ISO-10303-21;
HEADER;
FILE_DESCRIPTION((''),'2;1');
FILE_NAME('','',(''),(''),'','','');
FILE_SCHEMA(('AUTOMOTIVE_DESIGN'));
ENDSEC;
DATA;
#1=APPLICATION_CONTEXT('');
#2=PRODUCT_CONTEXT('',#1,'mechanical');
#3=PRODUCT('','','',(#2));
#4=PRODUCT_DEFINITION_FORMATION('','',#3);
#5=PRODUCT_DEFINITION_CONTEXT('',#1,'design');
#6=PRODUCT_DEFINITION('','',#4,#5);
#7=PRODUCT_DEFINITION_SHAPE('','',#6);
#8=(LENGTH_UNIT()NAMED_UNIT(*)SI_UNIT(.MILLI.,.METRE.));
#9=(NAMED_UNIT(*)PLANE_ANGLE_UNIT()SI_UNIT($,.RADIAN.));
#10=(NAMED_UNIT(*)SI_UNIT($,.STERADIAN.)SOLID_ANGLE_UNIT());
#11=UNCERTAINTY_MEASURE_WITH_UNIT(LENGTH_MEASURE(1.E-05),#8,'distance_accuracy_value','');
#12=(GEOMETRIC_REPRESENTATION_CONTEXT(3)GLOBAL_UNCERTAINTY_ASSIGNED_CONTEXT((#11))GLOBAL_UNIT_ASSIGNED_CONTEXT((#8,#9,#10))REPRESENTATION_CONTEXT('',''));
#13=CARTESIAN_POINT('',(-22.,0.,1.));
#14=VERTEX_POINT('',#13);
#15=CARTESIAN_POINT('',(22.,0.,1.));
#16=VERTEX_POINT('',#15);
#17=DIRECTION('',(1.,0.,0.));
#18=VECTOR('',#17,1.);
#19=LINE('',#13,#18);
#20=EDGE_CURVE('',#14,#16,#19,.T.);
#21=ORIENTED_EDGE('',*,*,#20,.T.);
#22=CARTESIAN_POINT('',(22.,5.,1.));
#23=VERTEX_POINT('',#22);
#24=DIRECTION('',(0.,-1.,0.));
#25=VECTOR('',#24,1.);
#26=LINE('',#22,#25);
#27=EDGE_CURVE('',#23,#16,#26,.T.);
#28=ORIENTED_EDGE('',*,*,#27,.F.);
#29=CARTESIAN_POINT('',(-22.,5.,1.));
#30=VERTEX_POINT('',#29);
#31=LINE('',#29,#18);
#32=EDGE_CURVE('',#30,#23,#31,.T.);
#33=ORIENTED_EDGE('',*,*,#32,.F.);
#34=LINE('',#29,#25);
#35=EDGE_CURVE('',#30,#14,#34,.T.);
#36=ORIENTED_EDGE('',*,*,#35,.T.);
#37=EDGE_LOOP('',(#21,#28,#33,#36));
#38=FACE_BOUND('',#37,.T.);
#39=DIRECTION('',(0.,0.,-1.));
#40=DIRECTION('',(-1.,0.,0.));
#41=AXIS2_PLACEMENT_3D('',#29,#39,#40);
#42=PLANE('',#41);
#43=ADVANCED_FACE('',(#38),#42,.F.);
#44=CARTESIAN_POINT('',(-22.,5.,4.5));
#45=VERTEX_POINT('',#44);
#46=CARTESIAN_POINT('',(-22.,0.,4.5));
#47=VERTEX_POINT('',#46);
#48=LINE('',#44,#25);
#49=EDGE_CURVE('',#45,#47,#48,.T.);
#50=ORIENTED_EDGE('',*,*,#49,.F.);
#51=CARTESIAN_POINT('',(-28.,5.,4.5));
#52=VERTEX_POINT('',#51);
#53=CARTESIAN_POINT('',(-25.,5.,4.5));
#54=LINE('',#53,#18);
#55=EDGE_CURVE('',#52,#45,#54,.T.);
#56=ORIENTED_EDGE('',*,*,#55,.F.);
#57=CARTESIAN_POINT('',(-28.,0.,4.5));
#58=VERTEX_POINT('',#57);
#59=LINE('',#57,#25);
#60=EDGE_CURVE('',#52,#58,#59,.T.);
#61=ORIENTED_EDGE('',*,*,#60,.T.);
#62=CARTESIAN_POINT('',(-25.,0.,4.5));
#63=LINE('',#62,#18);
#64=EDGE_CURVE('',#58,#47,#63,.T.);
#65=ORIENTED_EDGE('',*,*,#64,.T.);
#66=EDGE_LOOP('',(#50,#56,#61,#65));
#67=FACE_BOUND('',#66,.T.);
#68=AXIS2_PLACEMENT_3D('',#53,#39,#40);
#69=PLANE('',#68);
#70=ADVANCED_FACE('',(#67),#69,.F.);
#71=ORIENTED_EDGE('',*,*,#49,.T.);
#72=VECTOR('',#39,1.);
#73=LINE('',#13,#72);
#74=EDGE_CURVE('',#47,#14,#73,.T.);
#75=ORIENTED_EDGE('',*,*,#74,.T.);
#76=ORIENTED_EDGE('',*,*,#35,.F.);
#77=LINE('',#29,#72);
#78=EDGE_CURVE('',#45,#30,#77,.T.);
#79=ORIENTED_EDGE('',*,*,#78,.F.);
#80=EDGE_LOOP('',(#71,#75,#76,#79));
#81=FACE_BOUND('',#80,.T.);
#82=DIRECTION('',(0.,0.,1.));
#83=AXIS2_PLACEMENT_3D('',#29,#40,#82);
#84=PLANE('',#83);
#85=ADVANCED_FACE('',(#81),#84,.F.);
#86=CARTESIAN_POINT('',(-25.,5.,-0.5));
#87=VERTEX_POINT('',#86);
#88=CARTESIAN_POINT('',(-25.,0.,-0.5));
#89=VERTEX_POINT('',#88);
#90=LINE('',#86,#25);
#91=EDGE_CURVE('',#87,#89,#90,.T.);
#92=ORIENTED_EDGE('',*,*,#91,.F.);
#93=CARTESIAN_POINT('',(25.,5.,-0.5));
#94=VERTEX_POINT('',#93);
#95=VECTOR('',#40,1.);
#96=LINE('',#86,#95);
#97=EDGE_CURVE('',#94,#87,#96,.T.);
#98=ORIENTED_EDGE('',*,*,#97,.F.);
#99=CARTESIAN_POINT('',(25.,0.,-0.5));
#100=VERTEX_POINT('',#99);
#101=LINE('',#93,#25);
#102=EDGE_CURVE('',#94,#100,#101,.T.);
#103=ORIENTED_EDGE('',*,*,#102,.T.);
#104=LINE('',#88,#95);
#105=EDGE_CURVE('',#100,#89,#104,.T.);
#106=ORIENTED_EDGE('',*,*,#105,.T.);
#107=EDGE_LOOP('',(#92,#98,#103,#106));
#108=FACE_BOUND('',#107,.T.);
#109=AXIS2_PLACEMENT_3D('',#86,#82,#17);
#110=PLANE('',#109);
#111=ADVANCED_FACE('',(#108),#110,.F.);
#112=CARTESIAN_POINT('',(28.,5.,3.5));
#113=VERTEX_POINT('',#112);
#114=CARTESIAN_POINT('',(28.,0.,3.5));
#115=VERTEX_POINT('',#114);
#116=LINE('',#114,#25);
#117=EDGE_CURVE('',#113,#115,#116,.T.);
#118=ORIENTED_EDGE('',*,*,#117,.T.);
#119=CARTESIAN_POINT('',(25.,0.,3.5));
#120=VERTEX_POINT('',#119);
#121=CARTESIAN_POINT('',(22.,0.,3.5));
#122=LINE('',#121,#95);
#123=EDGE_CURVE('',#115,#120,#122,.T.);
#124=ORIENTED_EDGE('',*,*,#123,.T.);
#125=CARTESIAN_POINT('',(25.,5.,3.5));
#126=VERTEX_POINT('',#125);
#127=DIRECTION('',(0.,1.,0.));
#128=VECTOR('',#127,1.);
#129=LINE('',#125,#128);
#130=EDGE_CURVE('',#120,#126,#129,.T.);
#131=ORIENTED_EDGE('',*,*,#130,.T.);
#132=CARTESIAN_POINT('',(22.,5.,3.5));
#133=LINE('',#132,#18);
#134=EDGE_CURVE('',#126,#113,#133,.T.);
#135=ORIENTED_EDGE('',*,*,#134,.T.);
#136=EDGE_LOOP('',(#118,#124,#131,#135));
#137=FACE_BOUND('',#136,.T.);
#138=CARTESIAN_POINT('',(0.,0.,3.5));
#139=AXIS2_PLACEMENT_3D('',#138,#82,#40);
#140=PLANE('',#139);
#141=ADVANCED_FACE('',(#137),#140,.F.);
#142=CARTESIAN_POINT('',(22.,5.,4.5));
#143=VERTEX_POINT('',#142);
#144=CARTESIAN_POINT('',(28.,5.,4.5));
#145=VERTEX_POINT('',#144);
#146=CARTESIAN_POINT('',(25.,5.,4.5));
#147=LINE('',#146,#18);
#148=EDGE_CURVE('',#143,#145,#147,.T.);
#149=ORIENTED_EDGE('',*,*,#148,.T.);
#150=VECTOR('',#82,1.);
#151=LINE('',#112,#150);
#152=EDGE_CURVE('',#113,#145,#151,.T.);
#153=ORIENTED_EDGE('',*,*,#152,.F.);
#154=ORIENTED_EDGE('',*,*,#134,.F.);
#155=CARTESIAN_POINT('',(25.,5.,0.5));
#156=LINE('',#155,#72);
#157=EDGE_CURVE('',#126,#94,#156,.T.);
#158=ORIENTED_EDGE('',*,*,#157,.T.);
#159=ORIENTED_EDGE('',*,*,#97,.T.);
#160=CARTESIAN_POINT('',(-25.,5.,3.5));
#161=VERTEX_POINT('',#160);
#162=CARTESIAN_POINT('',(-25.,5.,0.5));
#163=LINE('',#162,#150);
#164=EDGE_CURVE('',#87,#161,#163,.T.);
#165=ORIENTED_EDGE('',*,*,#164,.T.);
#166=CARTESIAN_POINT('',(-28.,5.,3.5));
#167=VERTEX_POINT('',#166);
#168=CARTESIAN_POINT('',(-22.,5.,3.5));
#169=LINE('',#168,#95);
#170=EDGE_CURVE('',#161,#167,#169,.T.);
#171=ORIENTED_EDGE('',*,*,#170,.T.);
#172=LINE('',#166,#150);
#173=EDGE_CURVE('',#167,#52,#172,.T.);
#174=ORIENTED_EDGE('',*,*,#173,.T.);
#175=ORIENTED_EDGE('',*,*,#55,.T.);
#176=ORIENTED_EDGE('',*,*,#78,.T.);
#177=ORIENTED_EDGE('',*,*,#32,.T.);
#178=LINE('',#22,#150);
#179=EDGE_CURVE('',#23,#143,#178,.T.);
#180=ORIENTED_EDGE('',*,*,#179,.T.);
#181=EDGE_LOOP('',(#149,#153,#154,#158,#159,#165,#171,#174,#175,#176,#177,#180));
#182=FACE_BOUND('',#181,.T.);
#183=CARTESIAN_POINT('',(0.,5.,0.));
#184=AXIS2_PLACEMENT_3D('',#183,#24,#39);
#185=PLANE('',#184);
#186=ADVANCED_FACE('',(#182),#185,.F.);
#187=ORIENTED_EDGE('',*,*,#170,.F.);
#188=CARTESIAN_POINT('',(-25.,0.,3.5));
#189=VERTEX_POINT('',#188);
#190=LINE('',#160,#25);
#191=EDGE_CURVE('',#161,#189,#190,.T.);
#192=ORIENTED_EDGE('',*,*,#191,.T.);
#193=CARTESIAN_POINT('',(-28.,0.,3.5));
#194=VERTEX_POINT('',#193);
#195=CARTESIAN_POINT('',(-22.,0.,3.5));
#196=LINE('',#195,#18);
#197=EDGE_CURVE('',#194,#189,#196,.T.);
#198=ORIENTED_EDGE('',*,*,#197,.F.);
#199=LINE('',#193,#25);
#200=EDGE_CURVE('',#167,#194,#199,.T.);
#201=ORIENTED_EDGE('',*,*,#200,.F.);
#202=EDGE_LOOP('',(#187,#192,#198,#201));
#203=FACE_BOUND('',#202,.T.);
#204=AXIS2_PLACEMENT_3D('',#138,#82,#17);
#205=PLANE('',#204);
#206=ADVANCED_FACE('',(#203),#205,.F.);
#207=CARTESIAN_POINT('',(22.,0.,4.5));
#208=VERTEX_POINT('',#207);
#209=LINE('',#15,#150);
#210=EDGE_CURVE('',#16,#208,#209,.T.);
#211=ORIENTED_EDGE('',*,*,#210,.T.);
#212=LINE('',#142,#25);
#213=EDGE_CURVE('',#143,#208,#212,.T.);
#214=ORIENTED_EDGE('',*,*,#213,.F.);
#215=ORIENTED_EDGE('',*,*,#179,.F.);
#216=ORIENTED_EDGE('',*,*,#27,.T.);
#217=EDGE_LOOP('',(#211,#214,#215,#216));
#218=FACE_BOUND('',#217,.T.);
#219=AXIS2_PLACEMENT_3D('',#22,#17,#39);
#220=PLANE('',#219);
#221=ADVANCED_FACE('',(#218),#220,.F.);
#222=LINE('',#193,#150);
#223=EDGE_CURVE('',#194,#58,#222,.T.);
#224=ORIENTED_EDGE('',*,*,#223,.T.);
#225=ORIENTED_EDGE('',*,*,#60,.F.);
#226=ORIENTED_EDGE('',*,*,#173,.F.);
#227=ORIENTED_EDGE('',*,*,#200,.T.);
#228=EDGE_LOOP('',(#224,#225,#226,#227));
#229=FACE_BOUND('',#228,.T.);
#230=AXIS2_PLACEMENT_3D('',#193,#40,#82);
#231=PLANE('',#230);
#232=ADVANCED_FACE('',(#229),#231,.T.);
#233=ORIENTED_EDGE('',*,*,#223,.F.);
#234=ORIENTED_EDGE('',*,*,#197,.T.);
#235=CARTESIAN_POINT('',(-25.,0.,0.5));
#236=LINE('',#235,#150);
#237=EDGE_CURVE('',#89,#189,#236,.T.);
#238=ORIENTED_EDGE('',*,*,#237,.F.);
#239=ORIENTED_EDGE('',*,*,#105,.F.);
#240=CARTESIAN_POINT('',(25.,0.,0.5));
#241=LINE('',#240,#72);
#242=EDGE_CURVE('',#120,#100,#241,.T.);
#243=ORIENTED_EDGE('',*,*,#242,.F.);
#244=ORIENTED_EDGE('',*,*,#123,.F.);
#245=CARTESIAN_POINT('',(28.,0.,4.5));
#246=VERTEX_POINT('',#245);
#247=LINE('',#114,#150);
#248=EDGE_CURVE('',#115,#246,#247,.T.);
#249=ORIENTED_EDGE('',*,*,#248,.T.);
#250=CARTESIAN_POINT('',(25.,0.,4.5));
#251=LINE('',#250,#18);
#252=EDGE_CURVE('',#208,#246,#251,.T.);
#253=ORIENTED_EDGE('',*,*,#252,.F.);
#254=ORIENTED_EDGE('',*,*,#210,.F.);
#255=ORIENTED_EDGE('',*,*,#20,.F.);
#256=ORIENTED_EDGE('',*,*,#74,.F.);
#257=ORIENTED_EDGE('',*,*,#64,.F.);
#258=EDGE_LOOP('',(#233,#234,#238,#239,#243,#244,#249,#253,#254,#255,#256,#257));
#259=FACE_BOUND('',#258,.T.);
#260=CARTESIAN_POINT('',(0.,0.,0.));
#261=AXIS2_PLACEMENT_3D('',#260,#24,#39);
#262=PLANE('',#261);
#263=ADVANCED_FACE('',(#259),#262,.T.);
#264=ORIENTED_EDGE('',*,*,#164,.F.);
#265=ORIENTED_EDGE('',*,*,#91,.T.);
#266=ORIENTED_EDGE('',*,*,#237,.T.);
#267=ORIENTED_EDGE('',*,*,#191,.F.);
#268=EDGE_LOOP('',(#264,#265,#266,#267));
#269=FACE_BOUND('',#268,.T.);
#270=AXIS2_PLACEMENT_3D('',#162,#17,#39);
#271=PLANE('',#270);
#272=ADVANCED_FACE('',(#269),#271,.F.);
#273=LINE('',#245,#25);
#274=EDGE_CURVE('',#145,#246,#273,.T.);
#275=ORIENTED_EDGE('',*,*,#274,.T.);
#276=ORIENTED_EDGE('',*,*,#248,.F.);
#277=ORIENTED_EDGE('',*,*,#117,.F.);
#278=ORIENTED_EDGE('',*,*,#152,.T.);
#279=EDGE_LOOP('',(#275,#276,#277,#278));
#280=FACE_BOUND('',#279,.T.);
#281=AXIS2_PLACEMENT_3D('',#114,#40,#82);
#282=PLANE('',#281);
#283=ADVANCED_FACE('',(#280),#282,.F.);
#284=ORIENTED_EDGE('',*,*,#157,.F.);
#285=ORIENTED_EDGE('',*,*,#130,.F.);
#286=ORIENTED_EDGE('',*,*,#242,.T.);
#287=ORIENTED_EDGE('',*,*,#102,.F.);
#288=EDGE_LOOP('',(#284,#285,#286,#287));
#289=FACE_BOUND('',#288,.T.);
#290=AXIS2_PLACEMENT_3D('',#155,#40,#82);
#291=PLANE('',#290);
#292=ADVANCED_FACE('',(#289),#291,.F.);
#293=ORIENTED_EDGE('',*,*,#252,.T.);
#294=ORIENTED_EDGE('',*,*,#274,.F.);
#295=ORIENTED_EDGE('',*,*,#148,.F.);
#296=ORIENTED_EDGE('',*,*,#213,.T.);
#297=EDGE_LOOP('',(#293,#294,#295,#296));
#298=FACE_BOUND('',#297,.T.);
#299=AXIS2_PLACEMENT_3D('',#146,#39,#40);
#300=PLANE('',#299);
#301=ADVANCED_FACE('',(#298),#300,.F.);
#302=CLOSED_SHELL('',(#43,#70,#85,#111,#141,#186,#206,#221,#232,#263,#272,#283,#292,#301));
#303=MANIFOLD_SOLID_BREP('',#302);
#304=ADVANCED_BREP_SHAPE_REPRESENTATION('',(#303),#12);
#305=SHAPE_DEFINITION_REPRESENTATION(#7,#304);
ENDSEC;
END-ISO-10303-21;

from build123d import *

# Parameters (mm, degrees)
BOSS_EXTRUDE1_DEPTH = 5
SKETCH2_W           = 6
SKETCH2_H           = 5
BOSS_EXTRUDE2_DEPTH = 1


with BuildPart() as part:
    # Sketch1 → Boss-Extrude1 (new body)
    with BuildSketch(Plane(origin=(0, 0, 0), x_dir=(1, 0, 0), z_dir=(0, 1, 0))):
        Polygon((-22, -1), (22, -1), (22, -4.5), (25, -4.5), (25, -0.5), (25, 0.5), (-25, 0.5), (-25, -0.5), (-25, -4.5), (-22, -4.5), align=None)
    extrude(amount=BOSS_EXTRUDE1_DEPTH)

    # Sketch2 → Boss-Extrude2 (add)
    with BuildSketch(Plane.XY.offset(4.5)):
        with Locations((-25, 2.5)):
            Rectangle(SKETCH2_W, SKETCH2_H)
    boss_extrude2 = extrude(amount=-BOSS_EXTRUDE2_DEPTH)

    # Mirror1: Boss-Extrude2 across plane
    add(boss_extrude2.mirror(Plane(origin=(0, 0, 0), x_dir=(0, 0, 1), z_dir=(1, 0, 0))))


solid = part.part
